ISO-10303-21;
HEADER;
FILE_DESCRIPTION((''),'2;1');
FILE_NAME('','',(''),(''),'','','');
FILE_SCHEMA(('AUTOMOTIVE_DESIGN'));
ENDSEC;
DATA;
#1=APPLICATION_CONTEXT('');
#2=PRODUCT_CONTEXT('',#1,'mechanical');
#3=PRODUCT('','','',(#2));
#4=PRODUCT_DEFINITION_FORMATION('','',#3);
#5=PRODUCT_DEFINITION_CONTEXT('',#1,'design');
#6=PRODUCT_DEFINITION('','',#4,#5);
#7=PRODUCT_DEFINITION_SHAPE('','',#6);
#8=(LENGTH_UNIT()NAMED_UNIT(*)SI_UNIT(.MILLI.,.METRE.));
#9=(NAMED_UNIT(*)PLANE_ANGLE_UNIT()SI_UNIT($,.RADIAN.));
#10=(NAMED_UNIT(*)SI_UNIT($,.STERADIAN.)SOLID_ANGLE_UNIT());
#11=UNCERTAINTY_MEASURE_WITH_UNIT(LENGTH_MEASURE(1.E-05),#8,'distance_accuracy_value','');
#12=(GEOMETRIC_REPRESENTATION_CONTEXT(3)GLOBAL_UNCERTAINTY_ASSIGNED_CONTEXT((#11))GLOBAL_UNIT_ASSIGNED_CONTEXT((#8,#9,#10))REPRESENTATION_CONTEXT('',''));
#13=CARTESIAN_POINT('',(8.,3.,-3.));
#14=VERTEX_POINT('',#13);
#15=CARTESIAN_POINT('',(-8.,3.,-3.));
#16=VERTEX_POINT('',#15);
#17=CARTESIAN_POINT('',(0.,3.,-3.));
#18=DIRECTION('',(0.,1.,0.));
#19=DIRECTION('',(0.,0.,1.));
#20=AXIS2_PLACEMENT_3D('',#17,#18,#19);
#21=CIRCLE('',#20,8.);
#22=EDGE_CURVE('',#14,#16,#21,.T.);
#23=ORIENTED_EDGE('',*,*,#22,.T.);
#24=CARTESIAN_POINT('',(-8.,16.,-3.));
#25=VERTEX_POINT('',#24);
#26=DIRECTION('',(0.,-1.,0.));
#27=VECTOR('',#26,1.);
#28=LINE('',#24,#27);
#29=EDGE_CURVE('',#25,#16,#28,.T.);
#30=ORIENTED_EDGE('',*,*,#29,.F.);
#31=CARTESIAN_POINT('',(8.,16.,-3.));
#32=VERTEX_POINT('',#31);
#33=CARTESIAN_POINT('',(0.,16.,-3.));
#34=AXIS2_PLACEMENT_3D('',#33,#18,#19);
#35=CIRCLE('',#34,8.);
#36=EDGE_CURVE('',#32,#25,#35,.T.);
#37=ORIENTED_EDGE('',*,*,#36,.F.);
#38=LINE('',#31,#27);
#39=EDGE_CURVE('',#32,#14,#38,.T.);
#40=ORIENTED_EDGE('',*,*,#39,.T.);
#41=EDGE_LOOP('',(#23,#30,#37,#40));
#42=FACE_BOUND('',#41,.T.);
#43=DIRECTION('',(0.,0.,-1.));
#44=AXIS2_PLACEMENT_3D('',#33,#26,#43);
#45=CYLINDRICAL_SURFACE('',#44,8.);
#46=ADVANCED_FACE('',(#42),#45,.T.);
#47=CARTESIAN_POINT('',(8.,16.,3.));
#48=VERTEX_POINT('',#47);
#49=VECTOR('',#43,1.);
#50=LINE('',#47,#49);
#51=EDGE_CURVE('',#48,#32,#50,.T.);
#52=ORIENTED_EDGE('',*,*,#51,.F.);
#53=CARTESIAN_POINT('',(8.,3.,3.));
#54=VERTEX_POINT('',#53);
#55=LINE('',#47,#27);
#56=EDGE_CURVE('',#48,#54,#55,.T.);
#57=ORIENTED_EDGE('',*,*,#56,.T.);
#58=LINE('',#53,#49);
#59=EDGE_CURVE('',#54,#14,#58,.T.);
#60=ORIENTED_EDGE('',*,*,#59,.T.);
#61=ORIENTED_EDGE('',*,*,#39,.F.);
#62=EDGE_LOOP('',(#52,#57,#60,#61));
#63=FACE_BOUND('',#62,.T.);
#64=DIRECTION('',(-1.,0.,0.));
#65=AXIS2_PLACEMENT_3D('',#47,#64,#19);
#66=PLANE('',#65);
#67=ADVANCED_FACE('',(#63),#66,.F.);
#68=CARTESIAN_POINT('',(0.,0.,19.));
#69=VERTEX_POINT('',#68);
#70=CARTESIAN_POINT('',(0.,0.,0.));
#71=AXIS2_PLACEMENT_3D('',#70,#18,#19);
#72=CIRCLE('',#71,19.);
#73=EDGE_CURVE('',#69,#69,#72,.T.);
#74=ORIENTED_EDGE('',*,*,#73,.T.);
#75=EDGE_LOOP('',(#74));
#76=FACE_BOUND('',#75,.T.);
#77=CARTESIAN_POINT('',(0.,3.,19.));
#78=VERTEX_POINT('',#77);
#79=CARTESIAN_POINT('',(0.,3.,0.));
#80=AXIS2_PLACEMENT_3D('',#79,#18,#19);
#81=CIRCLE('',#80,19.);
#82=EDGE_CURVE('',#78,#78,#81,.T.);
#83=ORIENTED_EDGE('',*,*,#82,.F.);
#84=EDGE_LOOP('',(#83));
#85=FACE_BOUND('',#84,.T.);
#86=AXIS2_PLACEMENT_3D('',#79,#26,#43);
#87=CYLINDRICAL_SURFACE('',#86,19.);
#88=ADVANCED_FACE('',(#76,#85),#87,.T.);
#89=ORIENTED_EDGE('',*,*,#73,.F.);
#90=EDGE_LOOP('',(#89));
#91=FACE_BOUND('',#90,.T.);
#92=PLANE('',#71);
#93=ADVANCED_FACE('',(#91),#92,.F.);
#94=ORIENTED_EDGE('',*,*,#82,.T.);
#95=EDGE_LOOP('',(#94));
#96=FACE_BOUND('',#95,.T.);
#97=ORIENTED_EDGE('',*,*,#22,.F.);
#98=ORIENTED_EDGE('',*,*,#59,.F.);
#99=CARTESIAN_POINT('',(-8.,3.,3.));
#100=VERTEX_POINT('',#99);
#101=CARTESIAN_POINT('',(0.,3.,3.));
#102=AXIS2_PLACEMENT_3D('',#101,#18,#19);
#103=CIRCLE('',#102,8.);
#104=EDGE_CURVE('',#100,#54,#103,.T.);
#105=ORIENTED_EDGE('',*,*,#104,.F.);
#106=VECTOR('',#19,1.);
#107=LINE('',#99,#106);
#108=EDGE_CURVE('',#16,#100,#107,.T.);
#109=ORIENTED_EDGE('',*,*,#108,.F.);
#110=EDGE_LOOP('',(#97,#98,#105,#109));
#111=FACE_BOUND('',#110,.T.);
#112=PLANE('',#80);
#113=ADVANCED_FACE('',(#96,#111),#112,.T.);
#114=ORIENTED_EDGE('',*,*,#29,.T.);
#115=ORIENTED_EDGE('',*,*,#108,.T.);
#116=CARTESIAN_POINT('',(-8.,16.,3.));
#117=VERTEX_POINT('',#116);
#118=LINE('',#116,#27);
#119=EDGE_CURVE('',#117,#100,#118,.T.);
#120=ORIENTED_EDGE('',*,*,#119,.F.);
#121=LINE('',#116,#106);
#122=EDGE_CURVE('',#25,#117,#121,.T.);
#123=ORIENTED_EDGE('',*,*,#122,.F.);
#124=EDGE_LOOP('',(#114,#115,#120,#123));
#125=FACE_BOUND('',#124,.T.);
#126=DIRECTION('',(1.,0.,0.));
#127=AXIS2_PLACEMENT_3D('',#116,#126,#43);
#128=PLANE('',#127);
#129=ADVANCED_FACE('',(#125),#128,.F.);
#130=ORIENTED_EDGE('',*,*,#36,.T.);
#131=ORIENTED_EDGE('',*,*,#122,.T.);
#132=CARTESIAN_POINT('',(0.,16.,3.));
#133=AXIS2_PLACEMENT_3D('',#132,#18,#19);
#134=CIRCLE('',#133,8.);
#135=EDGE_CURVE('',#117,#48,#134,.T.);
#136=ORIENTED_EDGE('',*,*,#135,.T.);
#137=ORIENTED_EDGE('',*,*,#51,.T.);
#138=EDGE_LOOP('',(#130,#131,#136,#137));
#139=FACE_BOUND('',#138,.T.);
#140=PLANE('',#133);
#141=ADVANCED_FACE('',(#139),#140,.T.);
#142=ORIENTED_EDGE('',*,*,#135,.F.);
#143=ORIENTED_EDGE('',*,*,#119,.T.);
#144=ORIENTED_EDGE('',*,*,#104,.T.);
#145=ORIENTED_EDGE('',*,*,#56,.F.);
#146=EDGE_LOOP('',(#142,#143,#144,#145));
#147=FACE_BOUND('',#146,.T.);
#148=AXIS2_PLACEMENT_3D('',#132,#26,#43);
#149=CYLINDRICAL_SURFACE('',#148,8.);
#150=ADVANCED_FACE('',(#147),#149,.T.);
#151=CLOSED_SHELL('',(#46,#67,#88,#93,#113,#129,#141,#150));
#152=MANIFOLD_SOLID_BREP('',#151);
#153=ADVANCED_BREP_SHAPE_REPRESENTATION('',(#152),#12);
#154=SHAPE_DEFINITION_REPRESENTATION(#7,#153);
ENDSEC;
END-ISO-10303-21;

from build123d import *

# Parameters (mm, degrees)
SKETCH1_R           = 19
BOSS_EXTRUDE1_DEPTH = 3
BOSS_EXTRUDE2_DEPTH = 13


with BuildPart() as part:
    # Sketch1 → Boss-Extrude1 (new body)
    with BuildSketch(Plane(origin=(0, 0, 0), x_dir=(1, 0, 0), z_dir=(0, 1, 0))):
        with Locations(Location((0, 0, 0), (0, 0, 270))):  # turned: the seam where the file's is
            Circle(SKETCH1_R)
    extrude(amount=BOSS_EXTRUDE1_DEPTH)

    # Sketch2 → Boss-Extrude2 (add)
    with BuildSketch(Plane(origin=(0, 3, 0), x_dir=(1, 0, 0), z_dir=(0, 1, 0))):
        with BuildLine():
            Line((-8, -3), (-8, 3))
            ThreePointArc((-8, 3), (0, 11), (8, 3))
            Line((8, 3), (8, -3))
            ThreePointArc((8, -3), (0, -11), (-8, -3))
        make_face()
    extrude(amount=BOSS_EXTRUDE2_DEPTH)


solid = part.part
